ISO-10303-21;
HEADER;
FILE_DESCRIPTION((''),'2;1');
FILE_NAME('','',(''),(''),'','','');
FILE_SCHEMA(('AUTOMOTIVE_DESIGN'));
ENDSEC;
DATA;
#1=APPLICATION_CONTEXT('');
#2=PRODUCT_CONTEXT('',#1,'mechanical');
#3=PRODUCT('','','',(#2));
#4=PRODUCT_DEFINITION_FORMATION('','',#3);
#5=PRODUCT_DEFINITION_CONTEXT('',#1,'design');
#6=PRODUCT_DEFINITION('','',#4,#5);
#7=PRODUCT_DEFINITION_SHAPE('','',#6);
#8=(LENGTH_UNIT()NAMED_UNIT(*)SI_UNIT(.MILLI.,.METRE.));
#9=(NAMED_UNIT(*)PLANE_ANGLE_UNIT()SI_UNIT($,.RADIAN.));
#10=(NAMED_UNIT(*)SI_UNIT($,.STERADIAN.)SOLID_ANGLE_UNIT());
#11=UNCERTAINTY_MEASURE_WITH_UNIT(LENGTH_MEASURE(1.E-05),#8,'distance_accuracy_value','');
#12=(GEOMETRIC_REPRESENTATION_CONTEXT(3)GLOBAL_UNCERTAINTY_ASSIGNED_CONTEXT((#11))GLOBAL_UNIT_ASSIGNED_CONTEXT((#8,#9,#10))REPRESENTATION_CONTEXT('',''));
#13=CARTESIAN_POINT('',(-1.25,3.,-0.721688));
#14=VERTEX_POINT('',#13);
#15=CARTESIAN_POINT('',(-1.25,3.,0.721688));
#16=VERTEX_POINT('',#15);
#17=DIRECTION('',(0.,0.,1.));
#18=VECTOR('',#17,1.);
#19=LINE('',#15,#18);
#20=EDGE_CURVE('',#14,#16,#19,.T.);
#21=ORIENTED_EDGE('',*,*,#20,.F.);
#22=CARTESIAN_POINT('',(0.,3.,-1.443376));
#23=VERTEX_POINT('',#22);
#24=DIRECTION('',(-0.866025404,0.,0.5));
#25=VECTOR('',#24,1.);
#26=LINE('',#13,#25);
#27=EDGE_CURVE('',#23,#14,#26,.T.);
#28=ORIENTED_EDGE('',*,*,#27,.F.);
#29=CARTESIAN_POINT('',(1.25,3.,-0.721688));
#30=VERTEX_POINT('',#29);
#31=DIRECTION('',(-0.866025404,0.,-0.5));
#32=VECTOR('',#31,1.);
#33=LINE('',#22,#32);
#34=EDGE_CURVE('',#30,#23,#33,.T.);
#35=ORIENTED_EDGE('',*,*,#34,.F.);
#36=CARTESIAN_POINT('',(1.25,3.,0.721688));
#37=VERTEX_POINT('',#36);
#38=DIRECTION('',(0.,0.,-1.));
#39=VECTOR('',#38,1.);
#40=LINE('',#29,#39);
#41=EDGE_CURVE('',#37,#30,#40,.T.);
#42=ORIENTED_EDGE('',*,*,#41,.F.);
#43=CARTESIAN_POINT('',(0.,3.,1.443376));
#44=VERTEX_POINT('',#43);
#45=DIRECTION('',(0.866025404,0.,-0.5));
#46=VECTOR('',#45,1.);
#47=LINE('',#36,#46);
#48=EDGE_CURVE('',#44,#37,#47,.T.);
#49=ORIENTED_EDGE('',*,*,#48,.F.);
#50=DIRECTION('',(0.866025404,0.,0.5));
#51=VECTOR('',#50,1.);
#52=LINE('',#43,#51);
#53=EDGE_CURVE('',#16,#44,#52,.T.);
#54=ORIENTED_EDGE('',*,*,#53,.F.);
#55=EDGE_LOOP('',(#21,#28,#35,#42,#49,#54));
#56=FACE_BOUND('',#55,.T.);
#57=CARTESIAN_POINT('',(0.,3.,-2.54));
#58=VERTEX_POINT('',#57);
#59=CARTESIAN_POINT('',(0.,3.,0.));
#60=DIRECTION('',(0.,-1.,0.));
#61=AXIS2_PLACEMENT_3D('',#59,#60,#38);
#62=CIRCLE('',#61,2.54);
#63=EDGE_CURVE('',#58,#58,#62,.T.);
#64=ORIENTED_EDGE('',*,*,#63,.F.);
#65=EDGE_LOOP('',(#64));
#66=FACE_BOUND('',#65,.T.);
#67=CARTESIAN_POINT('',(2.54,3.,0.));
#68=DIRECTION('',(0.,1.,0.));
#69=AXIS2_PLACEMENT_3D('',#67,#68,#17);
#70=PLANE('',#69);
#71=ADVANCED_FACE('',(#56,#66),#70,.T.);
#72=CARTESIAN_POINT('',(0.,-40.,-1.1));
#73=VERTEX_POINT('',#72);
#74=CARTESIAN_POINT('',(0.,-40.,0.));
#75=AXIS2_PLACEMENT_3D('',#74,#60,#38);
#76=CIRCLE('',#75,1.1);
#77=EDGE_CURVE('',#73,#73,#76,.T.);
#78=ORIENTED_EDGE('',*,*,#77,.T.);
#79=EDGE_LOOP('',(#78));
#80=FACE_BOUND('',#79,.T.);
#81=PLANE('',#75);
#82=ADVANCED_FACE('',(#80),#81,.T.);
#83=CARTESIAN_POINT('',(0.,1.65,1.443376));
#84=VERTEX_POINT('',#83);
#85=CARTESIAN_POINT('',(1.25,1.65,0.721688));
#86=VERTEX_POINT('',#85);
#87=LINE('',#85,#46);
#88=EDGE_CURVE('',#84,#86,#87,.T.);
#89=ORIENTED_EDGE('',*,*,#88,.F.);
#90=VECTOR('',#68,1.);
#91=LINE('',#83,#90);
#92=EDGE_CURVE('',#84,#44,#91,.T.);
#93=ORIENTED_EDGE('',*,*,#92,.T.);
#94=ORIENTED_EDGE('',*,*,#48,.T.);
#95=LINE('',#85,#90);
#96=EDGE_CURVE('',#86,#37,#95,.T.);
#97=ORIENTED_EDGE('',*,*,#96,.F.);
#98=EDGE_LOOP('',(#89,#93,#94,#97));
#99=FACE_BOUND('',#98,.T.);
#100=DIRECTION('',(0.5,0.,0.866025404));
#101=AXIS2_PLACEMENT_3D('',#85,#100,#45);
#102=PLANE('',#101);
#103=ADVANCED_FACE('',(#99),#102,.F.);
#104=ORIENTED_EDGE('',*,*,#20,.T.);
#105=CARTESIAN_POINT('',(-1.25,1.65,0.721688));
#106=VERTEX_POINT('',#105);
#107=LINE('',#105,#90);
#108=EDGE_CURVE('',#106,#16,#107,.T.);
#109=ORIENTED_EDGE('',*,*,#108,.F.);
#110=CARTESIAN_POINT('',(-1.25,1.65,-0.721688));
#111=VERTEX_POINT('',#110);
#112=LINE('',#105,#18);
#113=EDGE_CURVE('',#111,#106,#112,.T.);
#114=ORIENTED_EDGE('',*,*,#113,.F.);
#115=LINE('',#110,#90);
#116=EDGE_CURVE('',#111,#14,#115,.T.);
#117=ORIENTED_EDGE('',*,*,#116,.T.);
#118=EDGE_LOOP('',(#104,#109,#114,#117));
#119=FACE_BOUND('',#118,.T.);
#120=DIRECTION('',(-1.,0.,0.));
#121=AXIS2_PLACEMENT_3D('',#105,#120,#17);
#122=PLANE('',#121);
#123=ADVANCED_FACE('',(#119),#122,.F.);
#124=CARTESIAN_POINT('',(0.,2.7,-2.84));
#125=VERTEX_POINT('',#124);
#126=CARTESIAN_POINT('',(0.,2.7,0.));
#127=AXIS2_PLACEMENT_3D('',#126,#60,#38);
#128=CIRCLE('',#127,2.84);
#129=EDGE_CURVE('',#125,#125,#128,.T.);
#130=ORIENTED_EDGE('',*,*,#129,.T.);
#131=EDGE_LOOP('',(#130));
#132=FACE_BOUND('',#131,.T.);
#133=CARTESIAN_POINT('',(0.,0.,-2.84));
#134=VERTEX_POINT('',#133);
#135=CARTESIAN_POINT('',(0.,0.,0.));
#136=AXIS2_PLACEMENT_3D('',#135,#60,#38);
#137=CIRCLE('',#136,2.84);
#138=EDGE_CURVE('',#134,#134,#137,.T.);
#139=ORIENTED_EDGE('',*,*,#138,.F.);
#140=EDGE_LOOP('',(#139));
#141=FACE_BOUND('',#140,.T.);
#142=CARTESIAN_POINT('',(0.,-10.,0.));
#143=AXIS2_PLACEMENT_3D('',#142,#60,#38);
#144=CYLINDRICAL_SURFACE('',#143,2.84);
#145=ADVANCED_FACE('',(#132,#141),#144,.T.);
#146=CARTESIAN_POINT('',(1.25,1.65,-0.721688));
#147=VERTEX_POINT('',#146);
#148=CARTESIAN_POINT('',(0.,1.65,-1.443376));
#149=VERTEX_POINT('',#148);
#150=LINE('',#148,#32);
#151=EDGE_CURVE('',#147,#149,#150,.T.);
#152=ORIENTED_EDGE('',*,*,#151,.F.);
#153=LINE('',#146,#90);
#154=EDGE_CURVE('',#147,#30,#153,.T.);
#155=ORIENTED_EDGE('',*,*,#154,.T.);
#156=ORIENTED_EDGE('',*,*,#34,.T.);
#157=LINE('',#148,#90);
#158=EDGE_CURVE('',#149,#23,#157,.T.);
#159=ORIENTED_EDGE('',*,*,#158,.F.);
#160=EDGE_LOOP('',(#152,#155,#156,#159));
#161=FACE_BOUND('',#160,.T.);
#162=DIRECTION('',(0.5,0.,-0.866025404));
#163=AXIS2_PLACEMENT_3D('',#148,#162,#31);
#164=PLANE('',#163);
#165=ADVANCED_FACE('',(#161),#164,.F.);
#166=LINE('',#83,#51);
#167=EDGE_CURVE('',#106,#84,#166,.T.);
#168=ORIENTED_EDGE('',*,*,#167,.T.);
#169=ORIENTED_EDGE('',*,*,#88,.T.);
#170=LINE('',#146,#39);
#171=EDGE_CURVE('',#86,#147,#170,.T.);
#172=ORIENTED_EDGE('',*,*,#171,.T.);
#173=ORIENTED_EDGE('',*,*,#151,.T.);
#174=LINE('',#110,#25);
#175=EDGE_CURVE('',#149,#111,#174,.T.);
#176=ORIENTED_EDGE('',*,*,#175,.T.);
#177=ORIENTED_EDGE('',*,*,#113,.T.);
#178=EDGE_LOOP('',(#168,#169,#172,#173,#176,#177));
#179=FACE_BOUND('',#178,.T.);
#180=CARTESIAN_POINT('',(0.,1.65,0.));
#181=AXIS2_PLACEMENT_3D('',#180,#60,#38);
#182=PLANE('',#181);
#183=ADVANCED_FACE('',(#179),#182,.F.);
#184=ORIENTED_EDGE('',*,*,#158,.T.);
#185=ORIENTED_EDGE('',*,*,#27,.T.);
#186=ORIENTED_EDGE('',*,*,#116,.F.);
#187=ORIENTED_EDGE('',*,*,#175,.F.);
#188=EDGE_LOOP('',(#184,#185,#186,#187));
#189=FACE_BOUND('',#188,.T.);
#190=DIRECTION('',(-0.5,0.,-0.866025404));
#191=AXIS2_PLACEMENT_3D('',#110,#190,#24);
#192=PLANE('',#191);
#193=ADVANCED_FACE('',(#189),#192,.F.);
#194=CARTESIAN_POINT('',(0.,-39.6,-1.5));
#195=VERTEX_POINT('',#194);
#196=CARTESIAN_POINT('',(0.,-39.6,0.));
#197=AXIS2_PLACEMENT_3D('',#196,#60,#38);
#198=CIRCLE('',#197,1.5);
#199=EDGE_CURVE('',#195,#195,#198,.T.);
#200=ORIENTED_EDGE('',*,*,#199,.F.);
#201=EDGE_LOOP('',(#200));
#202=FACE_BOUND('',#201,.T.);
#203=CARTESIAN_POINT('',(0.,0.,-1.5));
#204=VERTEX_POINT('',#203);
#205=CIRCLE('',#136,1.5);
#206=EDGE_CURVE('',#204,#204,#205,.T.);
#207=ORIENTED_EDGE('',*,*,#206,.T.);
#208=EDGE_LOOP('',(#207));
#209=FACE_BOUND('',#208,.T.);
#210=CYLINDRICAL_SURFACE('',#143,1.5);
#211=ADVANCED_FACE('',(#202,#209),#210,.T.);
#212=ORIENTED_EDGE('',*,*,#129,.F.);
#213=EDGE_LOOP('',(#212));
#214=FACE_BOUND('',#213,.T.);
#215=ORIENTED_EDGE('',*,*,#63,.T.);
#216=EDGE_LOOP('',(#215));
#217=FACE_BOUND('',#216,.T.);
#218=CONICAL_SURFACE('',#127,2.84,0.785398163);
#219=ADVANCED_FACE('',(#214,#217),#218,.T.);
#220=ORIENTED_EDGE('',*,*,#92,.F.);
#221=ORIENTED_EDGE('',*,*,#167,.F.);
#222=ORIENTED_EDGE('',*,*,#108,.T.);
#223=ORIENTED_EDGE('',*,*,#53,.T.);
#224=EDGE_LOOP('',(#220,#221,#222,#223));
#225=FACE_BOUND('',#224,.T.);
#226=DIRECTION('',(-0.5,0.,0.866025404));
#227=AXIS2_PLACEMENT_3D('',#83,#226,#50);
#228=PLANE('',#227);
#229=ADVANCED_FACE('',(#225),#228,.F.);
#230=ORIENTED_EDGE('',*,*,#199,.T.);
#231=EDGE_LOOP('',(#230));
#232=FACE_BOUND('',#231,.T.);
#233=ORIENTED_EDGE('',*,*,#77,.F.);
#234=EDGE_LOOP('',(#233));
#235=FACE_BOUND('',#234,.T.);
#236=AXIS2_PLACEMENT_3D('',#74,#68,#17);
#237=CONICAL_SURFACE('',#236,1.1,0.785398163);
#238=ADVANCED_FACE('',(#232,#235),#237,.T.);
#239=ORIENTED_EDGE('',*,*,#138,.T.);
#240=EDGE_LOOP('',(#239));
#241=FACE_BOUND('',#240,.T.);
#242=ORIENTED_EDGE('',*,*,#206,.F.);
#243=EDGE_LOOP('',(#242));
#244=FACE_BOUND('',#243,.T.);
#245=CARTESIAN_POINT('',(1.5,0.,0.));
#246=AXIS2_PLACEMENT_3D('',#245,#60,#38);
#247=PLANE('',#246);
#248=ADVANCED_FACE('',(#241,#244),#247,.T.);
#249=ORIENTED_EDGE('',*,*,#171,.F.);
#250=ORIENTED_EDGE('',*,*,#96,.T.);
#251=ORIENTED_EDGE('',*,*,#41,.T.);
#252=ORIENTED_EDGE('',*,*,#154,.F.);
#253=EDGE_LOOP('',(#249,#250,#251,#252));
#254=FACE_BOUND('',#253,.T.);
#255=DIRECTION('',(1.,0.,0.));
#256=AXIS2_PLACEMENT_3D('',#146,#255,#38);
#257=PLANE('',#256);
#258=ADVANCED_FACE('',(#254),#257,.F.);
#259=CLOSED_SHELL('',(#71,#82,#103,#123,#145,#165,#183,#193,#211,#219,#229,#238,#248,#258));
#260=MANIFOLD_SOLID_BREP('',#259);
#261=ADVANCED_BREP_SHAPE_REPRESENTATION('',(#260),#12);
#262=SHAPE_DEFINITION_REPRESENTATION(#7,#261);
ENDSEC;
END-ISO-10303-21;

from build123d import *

# Parameters (mm, degrees)
CUT_EXTRUDE1_DEPTH = 1.35


with BuildPart() as part:
    # Sketch1 → Revolve1 (revolve)
    with BuildSketch(Plane.XY, mode=Mode.PRIVATE) as revolve1_sk:
        Polygon((0, -40), (1.1, -40), (1.5, -39.6), (1.5, 0), (2.84, 0), (2.84, 2.7), (2.54, 3), (0, 3), align=None)
    revolve(revolve1_sk.sketch.rotate(Axis((0, -10, 0), (0, 1, 0)), 90), axis=Axis((0, -10, 0), (0, 1, 0)))

    # Sketch2 → Cut-Extrude1 (cut)
    with BuildSketch(Plane(origin=(0, 3, 0), x_dir=(1, 0, 0), z_dir=(0, 1, 0))):
        Polygon((1.25, -0.721687836), (0, -1.443375673), (-1.25, -0.721687836), (-1.25, 0.721687836), (0, 1.443375673), (1.25, 0.721687836), align=None)
    extrude(amount=-CUT_EXTRUDE1_DEPTH, mode=Mode.SUBTRACT)


solid = part.part
